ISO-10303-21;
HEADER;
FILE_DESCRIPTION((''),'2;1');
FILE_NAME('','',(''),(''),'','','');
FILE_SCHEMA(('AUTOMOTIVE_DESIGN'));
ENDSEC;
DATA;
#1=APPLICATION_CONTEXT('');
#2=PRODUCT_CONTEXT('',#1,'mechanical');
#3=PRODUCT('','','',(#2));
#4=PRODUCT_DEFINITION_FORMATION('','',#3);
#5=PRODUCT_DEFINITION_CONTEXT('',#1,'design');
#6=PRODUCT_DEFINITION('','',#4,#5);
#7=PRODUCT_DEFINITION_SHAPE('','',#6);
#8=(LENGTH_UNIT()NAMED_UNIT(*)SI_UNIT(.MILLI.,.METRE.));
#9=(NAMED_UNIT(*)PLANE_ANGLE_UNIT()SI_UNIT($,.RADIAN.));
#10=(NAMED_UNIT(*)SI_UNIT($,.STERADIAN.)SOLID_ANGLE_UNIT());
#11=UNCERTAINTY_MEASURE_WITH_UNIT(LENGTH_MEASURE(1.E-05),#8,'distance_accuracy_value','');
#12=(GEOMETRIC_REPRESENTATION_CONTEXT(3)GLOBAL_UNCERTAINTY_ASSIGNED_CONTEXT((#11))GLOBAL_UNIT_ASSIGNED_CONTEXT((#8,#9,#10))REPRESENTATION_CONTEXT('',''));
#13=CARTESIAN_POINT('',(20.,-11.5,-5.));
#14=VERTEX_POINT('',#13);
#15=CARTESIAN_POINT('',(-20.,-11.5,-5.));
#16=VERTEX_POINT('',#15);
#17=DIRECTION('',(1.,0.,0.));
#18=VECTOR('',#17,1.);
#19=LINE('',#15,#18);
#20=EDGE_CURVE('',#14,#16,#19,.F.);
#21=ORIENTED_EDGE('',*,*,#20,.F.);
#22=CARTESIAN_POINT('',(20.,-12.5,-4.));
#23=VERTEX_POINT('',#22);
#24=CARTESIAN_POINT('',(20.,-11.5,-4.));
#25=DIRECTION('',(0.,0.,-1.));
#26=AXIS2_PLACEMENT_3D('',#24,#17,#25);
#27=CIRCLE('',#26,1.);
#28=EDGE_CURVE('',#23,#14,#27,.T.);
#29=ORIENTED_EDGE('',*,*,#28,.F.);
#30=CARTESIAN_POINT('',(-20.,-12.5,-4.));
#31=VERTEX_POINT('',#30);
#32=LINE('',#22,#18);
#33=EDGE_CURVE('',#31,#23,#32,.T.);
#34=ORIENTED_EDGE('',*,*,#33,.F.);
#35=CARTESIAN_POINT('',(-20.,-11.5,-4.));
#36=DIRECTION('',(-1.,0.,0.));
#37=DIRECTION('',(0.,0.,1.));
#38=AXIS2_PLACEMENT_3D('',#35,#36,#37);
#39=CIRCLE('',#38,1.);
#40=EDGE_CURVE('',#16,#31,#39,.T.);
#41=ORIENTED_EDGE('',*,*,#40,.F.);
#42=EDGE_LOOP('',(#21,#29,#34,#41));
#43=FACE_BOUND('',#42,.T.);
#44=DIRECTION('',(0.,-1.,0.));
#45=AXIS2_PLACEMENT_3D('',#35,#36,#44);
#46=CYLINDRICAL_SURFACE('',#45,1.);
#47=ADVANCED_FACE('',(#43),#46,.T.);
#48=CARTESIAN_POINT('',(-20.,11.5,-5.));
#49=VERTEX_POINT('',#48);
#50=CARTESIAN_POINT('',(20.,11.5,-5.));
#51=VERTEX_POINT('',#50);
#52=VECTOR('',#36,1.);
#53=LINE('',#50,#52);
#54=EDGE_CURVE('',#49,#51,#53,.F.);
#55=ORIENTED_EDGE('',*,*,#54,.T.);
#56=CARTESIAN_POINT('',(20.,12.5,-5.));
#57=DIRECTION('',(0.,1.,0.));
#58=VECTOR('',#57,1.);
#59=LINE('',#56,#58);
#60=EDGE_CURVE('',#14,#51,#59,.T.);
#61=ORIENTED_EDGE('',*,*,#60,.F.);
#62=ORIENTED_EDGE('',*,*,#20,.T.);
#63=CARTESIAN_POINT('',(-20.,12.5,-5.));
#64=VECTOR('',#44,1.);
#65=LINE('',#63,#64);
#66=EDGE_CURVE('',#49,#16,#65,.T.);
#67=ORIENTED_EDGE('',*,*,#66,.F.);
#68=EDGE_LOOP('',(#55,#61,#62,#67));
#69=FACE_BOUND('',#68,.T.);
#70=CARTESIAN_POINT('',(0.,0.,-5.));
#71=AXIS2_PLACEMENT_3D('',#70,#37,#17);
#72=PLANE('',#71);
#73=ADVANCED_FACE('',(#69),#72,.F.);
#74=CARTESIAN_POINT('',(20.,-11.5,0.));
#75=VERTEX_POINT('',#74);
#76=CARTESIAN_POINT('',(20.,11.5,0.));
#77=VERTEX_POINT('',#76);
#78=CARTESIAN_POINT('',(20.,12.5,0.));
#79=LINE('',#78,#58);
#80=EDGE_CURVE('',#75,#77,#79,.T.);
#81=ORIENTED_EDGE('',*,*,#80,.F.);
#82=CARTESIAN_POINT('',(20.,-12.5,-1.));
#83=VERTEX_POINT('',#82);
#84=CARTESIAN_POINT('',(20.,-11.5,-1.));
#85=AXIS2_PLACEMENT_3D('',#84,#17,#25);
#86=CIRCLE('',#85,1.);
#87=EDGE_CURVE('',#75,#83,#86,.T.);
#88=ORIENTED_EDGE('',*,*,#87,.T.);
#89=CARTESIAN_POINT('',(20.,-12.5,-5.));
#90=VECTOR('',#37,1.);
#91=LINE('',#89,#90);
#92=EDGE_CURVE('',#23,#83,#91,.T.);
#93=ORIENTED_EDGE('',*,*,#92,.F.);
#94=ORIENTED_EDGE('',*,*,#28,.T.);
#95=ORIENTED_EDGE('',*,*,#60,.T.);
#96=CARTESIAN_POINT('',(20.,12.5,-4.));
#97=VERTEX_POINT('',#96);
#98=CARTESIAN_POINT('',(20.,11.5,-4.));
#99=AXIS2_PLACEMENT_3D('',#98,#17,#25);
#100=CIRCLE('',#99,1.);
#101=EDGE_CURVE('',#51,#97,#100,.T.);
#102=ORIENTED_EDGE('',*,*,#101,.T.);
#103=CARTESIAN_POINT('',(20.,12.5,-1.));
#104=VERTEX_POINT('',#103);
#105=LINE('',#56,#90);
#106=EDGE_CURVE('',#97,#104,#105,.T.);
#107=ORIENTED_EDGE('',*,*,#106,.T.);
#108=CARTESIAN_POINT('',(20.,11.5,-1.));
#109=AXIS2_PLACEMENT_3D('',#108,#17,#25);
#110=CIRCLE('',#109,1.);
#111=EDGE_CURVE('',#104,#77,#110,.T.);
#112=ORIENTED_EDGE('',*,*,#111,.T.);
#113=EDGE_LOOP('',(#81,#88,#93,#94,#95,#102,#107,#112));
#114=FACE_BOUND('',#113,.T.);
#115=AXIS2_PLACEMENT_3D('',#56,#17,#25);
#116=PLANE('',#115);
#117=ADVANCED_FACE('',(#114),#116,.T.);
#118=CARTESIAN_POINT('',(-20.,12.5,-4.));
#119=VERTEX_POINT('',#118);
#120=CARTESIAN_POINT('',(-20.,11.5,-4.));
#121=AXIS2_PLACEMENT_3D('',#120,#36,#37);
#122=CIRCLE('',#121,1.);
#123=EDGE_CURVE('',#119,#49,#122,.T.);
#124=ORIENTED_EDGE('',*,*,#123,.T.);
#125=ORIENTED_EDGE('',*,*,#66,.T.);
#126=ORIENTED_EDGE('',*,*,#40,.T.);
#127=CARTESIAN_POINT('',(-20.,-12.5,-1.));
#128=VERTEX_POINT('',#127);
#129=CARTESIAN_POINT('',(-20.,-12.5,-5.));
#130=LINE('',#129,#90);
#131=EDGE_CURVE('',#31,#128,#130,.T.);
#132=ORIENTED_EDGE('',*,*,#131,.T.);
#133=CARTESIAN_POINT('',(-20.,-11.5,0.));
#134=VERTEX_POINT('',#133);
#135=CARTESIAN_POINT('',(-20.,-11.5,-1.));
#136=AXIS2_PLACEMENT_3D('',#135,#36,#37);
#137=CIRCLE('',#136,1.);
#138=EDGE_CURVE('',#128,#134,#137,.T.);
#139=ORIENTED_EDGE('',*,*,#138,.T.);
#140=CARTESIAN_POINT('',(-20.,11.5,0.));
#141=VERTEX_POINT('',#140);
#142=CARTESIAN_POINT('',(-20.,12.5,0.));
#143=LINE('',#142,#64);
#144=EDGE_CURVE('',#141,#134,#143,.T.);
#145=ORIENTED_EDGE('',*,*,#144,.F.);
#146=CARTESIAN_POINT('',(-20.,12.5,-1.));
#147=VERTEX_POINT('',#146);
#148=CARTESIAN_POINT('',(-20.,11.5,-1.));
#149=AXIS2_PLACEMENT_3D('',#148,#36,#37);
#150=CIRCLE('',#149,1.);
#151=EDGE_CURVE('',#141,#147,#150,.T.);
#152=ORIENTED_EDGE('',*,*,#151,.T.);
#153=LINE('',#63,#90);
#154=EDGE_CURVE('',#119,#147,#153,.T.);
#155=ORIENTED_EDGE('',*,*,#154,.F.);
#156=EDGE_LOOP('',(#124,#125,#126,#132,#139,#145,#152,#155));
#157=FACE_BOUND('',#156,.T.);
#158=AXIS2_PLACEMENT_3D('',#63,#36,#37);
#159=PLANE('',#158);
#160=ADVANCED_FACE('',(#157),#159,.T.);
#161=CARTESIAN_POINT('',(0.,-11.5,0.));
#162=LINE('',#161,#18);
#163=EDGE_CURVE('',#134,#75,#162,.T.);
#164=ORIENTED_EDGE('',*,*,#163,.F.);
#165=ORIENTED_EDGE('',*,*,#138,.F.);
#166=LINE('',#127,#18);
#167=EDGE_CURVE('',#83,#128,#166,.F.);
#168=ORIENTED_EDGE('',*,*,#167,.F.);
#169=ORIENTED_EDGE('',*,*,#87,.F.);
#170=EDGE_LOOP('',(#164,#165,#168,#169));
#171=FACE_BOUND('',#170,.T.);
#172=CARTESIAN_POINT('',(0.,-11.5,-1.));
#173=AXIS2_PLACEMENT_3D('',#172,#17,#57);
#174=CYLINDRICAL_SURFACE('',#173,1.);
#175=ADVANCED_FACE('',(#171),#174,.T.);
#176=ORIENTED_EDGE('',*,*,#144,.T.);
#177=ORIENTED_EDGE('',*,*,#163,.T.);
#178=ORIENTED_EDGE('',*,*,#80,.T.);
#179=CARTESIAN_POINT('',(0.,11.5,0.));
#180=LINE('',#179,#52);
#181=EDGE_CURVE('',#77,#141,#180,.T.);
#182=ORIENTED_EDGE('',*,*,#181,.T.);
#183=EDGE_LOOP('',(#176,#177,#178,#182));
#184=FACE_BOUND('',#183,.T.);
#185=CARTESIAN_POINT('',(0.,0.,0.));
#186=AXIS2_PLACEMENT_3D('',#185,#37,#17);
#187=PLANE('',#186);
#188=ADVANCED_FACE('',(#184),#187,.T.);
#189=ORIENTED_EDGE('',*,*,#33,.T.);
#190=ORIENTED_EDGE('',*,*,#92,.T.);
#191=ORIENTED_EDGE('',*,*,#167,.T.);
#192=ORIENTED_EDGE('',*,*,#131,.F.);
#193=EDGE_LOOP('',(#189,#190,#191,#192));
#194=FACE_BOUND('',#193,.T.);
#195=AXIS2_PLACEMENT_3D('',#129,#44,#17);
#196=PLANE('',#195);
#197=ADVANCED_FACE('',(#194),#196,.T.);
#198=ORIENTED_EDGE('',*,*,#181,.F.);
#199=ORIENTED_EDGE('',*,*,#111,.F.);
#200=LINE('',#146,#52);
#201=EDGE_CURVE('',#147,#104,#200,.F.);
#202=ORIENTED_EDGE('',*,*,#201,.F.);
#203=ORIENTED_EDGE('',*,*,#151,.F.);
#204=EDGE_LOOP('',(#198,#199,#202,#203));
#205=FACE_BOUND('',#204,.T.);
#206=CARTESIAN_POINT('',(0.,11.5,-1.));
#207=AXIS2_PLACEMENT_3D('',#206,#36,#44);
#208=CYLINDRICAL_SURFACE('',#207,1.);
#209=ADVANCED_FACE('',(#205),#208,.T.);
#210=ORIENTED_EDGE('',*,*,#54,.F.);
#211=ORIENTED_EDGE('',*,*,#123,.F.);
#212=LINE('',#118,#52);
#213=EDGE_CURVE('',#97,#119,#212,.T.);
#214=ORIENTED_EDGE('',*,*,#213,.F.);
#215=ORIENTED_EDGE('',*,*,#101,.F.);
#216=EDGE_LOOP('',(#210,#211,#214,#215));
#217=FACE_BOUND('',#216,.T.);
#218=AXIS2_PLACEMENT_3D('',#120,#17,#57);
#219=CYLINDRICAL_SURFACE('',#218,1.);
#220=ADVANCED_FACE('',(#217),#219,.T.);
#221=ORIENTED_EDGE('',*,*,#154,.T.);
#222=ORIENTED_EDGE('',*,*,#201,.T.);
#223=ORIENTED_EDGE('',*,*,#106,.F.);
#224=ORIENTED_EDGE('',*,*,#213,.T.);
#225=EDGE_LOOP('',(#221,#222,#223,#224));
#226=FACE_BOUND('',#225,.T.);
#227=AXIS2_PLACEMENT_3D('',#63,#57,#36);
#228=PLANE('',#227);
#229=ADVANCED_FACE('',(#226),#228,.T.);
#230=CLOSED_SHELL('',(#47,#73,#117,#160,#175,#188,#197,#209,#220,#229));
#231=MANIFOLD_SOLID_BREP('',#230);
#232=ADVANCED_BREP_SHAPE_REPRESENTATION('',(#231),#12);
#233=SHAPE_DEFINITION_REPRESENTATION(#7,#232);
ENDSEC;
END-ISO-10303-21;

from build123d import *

# Parameters (mm, degrees)
SKETCH_1_W      = 40
SKETCH_1_H      = 25
EXTRUDE_1_DEPTH = 5
FILLET_2_R      = 1
FILLET_3_R      = 1


with BuildPart() as part:
    # 草图1 → 凸台-拉伸1 (new body)
    with BuildSketch(Plane.XY):
        Rectangle(SKETCH_1_W, SKETCH_1_H)
    extrude(amount=-EXTRUDE_1_DEPTH)

    # 圆角2
    fillet_2_edges = [part.edges().sort_by_distance(p)[0] for p in [
        (0, 12.5, 0),
    ]]
    fillet(fillet_2_edges, radius=FILLET_2_R)

    # 圆角3
    fillet_3_edges = [part.edges().sort_by_distance(p)[0] for p in [
        (0, 12.5, -5),
        (0, -12.5, 0),
        (0, -12.5, -5),
    ]]
    fillet(fillet_3_edges, radius=FILLET_3_R)


solid = part.part
